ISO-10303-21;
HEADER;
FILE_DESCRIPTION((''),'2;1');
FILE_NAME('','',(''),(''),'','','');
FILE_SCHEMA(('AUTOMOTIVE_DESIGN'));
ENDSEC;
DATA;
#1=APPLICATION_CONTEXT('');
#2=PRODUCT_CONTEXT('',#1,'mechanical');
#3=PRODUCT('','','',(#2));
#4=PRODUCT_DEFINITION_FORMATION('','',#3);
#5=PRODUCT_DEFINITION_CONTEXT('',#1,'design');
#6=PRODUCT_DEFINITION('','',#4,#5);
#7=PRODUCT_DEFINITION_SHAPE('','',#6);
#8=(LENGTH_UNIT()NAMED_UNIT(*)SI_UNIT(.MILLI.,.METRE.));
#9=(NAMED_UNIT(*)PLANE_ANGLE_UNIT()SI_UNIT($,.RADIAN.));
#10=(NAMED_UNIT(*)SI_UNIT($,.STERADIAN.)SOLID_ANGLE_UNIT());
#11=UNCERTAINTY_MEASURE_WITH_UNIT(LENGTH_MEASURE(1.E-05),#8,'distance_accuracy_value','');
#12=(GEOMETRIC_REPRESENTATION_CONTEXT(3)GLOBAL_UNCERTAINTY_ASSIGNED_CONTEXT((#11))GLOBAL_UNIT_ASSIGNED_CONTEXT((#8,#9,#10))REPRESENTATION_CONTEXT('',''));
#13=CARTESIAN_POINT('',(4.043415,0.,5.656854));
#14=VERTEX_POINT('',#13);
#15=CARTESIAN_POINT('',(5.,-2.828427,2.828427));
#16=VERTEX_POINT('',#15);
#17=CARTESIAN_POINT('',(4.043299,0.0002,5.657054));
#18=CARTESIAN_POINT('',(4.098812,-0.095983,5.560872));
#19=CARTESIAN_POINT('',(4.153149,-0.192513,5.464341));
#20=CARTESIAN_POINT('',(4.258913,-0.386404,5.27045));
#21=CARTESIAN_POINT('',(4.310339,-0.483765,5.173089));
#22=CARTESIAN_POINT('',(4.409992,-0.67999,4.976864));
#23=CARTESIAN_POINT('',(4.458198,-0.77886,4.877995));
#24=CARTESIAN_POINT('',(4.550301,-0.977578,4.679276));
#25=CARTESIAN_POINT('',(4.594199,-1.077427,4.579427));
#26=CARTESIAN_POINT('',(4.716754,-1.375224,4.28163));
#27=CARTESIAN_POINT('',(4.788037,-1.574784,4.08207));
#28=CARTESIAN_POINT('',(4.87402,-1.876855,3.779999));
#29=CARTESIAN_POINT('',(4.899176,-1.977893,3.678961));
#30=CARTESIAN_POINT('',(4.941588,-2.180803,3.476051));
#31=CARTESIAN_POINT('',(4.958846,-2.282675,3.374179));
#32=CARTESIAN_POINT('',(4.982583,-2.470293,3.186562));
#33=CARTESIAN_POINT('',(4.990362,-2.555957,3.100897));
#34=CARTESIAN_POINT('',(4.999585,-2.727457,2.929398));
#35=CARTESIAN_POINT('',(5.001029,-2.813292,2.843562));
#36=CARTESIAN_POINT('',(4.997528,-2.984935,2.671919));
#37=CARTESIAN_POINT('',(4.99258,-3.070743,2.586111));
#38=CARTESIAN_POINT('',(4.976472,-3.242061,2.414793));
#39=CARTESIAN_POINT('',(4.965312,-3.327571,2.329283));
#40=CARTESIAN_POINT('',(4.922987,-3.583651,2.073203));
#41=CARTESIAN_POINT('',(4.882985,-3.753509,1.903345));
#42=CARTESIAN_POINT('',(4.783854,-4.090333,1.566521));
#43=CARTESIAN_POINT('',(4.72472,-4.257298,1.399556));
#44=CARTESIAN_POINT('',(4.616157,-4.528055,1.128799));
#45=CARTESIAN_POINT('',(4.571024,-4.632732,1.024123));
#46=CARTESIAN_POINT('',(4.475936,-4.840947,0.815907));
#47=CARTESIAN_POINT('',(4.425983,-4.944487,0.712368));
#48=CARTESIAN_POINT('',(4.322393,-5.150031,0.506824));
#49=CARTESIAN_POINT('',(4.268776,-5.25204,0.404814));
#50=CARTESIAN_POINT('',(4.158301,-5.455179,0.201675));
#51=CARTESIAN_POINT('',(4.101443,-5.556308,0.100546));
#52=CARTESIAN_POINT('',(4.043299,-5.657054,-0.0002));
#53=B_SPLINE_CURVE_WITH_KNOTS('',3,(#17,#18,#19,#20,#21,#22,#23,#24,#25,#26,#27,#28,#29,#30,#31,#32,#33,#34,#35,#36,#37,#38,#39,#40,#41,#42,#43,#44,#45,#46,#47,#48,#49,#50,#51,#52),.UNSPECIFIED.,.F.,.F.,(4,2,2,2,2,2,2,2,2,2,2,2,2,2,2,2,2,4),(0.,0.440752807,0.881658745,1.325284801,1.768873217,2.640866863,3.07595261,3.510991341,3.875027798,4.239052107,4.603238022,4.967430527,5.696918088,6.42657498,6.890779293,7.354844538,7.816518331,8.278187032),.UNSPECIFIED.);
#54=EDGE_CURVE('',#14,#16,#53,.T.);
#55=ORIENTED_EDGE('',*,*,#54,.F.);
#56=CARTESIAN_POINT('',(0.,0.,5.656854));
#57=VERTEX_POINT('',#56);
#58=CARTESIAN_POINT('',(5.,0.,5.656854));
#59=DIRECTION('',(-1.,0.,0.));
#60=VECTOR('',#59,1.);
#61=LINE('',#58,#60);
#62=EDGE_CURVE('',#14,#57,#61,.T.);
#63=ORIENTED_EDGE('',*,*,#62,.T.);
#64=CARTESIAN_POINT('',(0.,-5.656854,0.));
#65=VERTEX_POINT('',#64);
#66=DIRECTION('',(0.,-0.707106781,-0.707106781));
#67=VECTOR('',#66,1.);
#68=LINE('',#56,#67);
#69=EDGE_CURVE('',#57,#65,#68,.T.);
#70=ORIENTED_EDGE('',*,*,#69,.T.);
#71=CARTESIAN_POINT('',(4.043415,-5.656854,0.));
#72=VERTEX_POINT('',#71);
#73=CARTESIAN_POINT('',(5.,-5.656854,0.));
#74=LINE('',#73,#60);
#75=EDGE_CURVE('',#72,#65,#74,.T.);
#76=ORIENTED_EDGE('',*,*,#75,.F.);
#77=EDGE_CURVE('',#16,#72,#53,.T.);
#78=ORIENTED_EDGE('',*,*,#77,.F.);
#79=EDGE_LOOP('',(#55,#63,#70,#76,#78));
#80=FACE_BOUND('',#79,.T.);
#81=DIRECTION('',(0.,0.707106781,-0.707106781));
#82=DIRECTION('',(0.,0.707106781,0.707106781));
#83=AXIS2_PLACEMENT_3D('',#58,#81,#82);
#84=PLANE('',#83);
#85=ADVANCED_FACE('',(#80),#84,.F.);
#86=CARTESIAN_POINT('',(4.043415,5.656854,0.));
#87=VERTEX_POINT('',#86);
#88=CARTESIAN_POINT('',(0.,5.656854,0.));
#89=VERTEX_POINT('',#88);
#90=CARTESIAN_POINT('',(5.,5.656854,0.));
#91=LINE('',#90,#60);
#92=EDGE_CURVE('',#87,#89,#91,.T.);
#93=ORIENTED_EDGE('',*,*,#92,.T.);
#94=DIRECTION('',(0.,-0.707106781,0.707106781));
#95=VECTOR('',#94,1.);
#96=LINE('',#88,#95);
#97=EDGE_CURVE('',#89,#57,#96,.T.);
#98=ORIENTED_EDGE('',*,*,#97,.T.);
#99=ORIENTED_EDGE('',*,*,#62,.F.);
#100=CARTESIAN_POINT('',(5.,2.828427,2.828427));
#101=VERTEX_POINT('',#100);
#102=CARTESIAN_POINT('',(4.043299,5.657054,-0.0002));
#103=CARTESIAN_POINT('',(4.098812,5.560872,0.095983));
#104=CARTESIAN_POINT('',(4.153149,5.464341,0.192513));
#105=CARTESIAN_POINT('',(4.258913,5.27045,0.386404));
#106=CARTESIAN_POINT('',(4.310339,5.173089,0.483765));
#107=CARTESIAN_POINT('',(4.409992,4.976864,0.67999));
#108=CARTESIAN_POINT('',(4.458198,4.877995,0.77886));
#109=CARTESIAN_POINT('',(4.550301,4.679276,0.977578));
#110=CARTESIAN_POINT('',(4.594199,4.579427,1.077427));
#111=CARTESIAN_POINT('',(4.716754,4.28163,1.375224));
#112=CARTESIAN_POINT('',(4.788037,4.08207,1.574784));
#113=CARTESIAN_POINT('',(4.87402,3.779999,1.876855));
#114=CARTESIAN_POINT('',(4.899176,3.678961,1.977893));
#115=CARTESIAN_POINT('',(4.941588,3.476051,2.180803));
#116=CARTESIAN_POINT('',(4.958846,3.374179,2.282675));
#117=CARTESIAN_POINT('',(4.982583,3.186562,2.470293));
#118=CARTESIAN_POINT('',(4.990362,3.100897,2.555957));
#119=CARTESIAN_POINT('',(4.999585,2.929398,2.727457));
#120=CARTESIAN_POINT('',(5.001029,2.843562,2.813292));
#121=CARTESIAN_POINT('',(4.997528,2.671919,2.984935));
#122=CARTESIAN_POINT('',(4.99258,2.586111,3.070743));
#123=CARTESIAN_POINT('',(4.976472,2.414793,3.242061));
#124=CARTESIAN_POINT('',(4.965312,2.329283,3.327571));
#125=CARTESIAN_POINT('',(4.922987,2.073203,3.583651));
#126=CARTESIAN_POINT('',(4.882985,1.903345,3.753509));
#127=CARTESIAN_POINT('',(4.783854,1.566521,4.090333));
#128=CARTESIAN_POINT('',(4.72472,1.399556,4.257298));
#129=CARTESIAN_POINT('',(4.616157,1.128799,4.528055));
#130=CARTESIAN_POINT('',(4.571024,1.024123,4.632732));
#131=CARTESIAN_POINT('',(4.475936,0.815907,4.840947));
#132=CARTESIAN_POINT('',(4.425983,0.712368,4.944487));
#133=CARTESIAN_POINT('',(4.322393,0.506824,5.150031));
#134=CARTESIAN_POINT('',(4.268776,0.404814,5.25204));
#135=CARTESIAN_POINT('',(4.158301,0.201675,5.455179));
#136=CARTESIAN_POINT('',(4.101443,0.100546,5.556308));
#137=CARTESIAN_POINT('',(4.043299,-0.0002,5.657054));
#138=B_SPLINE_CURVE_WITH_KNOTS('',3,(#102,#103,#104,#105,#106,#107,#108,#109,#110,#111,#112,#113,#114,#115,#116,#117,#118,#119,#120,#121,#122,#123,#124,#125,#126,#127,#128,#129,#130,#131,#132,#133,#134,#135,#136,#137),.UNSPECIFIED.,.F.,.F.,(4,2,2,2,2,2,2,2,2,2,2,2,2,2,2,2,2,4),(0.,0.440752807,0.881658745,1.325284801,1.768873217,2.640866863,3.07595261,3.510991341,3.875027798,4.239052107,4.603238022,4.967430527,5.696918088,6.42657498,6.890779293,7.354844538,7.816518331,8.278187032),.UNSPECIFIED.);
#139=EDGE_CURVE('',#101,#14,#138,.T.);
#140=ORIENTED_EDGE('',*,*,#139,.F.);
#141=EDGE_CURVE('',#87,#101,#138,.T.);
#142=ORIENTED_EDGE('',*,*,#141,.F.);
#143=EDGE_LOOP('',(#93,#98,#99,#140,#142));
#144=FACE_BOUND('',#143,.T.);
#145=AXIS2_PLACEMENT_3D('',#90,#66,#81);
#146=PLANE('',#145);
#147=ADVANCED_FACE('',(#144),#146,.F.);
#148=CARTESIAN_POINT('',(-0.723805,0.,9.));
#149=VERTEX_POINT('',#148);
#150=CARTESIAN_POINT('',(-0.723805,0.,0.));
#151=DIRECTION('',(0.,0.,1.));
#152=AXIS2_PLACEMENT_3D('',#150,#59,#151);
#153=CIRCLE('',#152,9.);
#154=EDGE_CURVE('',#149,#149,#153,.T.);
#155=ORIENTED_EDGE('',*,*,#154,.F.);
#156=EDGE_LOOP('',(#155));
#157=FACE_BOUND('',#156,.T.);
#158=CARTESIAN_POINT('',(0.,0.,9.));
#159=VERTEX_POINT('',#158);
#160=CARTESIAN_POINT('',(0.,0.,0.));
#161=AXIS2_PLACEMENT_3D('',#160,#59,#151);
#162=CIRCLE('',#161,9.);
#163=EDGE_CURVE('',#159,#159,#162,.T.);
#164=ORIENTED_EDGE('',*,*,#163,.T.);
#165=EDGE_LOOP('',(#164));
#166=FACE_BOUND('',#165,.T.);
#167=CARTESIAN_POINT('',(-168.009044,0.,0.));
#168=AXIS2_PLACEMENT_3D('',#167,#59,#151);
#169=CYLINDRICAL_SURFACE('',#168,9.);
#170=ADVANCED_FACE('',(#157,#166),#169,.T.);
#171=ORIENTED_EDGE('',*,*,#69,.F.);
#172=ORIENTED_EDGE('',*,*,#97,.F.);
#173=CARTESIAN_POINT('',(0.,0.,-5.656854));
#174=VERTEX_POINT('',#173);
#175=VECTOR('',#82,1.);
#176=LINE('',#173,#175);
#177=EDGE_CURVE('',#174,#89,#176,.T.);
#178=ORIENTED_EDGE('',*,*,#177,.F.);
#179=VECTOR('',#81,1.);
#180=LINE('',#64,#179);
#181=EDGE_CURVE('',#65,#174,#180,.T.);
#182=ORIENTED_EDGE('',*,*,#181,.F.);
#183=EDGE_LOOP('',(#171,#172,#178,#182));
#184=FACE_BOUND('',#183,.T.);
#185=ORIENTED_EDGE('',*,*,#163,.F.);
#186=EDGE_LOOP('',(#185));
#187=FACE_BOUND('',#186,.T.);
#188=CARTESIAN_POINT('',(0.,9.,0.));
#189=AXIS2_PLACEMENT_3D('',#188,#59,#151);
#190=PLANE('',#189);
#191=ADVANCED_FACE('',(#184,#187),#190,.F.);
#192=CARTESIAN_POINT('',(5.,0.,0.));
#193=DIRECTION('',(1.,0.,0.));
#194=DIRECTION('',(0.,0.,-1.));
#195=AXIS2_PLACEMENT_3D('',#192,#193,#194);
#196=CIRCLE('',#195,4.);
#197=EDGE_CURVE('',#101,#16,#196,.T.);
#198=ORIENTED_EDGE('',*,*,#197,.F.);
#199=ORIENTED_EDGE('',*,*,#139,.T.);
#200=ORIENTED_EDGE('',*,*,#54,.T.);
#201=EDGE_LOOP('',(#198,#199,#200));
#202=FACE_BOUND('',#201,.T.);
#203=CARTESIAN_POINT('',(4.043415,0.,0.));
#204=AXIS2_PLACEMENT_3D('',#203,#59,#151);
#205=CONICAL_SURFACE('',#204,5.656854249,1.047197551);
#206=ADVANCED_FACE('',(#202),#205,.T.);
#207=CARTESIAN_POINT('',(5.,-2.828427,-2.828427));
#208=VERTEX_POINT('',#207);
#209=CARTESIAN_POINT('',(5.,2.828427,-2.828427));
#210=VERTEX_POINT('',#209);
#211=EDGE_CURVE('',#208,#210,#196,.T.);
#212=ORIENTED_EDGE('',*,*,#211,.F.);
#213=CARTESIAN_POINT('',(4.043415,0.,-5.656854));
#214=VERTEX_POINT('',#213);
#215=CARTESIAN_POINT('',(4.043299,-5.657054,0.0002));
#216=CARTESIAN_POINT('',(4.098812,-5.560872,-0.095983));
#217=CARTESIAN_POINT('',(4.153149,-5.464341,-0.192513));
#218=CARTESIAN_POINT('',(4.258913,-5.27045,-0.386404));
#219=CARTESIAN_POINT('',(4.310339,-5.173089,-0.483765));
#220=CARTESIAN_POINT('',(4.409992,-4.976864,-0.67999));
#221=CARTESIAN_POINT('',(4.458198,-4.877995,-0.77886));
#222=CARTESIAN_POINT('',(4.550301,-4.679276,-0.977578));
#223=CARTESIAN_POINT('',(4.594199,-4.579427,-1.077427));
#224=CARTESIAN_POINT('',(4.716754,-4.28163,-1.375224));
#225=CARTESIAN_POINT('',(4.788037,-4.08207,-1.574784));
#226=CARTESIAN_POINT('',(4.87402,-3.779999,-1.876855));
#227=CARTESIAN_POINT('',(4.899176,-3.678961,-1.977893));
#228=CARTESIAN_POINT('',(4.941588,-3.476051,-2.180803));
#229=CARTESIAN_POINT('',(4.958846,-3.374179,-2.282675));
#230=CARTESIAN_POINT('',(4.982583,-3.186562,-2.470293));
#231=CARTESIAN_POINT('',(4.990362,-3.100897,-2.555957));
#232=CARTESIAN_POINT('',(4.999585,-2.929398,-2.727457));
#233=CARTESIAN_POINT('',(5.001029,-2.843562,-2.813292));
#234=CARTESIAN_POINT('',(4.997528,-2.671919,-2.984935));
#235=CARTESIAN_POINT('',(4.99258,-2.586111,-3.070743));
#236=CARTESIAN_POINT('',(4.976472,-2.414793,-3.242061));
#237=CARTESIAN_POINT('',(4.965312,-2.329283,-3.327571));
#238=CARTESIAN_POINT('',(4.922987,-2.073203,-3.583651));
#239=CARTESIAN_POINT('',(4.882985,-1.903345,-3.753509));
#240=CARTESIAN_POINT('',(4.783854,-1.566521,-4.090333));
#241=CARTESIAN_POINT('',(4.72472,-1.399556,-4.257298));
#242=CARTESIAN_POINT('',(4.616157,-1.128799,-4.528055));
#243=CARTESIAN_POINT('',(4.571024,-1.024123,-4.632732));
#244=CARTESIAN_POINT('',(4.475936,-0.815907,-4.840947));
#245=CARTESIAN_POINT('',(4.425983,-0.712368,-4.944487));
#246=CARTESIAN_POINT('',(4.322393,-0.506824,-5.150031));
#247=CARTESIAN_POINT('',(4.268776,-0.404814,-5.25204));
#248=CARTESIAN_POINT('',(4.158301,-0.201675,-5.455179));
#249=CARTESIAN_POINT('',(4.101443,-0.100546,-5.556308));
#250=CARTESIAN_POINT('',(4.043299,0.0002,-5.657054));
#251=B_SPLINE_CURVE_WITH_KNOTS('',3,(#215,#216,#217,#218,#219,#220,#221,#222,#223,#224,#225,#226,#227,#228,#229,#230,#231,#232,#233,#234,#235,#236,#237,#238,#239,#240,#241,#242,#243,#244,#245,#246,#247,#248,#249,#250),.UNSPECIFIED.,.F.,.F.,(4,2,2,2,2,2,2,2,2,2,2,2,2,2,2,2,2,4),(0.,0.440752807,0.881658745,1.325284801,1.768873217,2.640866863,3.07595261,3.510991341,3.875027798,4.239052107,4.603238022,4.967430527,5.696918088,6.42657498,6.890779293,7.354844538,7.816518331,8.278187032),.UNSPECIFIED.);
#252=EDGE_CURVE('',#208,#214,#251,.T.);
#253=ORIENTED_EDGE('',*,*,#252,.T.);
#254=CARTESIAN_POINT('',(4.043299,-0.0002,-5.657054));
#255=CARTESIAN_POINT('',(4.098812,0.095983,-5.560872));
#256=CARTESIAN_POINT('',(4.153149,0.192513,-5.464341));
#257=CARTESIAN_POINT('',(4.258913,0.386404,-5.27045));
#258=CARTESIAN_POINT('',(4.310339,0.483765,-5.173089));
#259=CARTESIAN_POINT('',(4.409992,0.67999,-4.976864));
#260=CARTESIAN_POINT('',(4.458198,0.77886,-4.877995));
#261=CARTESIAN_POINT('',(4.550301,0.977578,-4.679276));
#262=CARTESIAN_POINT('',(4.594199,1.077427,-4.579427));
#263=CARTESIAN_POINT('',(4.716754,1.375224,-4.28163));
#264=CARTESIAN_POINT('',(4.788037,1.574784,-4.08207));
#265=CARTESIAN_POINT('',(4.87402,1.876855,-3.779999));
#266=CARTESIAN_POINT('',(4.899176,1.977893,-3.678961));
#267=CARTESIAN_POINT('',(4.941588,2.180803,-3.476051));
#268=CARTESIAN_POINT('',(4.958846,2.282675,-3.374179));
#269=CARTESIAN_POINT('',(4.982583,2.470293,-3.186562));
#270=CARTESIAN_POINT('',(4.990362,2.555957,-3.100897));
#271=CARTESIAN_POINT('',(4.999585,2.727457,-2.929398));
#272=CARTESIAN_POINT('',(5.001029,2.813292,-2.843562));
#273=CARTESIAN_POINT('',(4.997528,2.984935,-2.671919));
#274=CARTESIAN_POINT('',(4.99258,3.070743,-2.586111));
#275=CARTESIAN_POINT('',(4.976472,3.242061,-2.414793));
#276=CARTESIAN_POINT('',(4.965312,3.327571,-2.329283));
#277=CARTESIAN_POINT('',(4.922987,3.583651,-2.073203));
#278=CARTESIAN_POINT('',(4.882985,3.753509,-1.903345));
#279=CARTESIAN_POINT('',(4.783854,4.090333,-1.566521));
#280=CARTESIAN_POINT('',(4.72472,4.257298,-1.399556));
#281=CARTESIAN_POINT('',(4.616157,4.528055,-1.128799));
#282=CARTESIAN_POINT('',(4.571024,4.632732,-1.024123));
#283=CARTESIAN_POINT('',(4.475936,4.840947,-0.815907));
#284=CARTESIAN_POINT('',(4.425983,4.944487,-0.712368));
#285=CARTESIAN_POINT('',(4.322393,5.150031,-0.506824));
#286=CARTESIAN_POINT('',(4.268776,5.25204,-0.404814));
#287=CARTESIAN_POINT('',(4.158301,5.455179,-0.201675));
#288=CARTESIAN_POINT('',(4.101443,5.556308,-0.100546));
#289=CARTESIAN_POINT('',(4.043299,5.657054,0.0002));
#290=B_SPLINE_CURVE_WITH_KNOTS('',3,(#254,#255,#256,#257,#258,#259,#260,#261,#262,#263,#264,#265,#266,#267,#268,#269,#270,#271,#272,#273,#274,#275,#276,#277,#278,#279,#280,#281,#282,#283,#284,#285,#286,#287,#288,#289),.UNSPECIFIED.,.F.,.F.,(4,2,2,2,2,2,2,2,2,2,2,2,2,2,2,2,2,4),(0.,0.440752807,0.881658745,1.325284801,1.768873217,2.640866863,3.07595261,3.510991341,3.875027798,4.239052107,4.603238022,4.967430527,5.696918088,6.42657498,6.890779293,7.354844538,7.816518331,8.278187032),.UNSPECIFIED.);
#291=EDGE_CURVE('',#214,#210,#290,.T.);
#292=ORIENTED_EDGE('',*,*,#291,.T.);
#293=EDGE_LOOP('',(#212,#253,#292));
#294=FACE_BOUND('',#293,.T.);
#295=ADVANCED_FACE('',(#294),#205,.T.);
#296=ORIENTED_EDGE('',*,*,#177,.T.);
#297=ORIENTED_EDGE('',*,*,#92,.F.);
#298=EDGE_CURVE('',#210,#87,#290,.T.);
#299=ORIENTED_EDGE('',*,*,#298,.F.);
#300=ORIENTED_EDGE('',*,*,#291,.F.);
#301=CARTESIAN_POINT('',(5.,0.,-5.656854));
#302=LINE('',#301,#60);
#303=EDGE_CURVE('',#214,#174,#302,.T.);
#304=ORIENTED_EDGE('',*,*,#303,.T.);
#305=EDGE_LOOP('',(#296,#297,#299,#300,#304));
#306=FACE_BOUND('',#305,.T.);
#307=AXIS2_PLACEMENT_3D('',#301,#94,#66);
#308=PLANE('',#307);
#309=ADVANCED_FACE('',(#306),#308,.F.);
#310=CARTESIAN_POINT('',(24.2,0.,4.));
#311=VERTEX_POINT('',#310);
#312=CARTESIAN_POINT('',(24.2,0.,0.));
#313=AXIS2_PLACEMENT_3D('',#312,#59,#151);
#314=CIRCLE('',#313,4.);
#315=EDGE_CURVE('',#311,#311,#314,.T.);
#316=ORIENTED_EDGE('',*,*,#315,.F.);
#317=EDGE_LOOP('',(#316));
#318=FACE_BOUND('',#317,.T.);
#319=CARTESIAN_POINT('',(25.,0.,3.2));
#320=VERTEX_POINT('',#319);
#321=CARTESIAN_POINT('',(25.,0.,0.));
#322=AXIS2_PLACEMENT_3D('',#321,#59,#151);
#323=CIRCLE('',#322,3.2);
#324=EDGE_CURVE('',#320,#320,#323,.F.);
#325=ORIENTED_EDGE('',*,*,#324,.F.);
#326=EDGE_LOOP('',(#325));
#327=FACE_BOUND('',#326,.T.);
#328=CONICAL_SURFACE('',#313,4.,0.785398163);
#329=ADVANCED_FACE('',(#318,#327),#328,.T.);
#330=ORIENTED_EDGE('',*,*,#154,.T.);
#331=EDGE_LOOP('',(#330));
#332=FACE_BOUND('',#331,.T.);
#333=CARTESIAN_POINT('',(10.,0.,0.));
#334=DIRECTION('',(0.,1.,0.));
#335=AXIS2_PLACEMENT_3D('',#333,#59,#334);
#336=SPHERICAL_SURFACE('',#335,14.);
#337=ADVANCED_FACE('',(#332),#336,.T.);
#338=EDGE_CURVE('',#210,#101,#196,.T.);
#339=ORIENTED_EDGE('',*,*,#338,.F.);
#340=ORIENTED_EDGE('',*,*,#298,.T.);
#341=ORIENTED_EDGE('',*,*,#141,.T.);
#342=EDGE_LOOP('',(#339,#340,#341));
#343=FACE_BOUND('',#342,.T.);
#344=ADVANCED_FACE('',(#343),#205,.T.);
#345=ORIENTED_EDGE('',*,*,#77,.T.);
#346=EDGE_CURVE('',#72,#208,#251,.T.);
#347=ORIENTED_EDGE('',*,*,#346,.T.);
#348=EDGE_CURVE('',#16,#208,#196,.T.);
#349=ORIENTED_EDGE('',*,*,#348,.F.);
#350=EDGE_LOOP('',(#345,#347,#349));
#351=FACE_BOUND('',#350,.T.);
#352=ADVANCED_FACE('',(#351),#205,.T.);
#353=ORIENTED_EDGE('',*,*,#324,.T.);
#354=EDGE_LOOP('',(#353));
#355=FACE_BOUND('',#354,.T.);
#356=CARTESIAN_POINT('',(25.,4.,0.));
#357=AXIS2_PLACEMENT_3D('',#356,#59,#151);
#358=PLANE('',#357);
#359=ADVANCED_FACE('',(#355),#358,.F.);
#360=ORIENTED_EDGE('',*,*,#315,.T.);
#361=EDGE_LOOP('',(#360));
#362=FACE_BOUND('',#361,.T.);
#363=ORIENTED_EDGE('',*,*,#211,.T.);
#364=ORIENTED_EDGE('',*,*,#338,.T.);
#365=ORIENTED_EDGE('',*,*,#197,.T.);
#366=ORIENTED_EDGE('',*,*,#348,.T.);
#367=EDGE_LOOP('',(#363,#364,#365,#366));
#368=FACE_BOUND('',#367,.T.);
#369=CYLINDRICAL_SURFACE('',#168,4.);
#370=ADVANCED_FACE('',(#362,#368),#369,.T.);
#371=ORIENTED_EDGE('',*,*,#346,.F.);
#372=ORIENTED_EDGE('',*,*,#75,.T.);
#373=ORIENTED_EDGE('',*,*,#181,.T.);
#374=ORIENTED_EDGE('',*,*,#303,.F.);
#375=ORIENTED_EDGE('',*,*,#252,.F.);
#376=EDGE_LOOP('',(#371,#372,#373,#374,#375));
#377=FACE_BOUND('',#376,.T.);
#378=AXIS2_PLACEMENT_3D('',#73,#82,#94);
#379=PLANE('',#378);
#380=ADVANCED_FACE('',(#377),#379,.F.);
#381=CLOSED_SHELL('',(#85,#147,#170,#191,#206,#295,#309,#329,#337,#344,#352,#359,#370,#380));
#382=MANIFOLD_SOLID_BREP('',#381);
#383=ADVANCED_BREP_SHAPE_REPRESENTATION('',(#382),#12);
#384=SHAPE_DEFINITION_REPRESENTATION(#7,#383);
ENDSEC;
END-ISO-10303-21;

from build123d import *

# Parameters (mm, degrees)
EXTRUDE_1_DEPTH = 5
CHAMFER_1_SIZE  = 0.8


with BuildPart() as part:
    # Эскиз1 → Повернуть1 (revolve)
    with BuildSketch(Plane.XY, mode=Mode.PRIVATE) as revolve_1_sk:
        with BuildLine():
            Line((-0.723805295, 9), (0, 9))
            Line((0, 9), (0, 4))
            Line((0, 4), (25, 4))
            Line((25, 4), (25, 0))
            Line((25, 0), (-4, 0))
            ThreePointArc((-4, 0), (-3.155479355, 4.78887909), (-0.723805295, 9))
        make_face()
    revolve(revolve_1_sk.sketch.rotate(Axis((-168.009043504, 0, 0), (1, 0, 0)), 90), axis=Axis((-168.009043504, 0, 0), (1, 0, 0)))

    # Эскиз2 → Бобышка-Вытянуть1 (add)
    with BuildSketch(Plane(origin=(0, 0, 0), x_dir=(0, 0, -1), z_dir=(1, 0, 0))):
        Polygon((0, 5.656854249), (-5.656854249, 0), (0, -5.656854249), (5.656854249, 0), align=None)
    extrude(amount=EXTRUDE_1_DEPTH)

    # Эскиз3 → Вырез-Повернуть1 (revolve, cut)
    with BuildSketch(Plane.XY):
        Polygon((5, 4), (4.043414753, 5.656854249), (5, 5.656854249), align=None)
    revolve(axis=Axis((-1000, 0, 0), (1, 0, 0)), mode=Mode.SUBTRACT)

    # Фаска1
    chamfer_1_edges = [part.edges().sort_by_distance(p)[0] for p in [
        (25, 0, -4),
    ]]
    chamfer(chamfer_1_edges, length=CHAMFER_1_SIZE)


solid = part.part
